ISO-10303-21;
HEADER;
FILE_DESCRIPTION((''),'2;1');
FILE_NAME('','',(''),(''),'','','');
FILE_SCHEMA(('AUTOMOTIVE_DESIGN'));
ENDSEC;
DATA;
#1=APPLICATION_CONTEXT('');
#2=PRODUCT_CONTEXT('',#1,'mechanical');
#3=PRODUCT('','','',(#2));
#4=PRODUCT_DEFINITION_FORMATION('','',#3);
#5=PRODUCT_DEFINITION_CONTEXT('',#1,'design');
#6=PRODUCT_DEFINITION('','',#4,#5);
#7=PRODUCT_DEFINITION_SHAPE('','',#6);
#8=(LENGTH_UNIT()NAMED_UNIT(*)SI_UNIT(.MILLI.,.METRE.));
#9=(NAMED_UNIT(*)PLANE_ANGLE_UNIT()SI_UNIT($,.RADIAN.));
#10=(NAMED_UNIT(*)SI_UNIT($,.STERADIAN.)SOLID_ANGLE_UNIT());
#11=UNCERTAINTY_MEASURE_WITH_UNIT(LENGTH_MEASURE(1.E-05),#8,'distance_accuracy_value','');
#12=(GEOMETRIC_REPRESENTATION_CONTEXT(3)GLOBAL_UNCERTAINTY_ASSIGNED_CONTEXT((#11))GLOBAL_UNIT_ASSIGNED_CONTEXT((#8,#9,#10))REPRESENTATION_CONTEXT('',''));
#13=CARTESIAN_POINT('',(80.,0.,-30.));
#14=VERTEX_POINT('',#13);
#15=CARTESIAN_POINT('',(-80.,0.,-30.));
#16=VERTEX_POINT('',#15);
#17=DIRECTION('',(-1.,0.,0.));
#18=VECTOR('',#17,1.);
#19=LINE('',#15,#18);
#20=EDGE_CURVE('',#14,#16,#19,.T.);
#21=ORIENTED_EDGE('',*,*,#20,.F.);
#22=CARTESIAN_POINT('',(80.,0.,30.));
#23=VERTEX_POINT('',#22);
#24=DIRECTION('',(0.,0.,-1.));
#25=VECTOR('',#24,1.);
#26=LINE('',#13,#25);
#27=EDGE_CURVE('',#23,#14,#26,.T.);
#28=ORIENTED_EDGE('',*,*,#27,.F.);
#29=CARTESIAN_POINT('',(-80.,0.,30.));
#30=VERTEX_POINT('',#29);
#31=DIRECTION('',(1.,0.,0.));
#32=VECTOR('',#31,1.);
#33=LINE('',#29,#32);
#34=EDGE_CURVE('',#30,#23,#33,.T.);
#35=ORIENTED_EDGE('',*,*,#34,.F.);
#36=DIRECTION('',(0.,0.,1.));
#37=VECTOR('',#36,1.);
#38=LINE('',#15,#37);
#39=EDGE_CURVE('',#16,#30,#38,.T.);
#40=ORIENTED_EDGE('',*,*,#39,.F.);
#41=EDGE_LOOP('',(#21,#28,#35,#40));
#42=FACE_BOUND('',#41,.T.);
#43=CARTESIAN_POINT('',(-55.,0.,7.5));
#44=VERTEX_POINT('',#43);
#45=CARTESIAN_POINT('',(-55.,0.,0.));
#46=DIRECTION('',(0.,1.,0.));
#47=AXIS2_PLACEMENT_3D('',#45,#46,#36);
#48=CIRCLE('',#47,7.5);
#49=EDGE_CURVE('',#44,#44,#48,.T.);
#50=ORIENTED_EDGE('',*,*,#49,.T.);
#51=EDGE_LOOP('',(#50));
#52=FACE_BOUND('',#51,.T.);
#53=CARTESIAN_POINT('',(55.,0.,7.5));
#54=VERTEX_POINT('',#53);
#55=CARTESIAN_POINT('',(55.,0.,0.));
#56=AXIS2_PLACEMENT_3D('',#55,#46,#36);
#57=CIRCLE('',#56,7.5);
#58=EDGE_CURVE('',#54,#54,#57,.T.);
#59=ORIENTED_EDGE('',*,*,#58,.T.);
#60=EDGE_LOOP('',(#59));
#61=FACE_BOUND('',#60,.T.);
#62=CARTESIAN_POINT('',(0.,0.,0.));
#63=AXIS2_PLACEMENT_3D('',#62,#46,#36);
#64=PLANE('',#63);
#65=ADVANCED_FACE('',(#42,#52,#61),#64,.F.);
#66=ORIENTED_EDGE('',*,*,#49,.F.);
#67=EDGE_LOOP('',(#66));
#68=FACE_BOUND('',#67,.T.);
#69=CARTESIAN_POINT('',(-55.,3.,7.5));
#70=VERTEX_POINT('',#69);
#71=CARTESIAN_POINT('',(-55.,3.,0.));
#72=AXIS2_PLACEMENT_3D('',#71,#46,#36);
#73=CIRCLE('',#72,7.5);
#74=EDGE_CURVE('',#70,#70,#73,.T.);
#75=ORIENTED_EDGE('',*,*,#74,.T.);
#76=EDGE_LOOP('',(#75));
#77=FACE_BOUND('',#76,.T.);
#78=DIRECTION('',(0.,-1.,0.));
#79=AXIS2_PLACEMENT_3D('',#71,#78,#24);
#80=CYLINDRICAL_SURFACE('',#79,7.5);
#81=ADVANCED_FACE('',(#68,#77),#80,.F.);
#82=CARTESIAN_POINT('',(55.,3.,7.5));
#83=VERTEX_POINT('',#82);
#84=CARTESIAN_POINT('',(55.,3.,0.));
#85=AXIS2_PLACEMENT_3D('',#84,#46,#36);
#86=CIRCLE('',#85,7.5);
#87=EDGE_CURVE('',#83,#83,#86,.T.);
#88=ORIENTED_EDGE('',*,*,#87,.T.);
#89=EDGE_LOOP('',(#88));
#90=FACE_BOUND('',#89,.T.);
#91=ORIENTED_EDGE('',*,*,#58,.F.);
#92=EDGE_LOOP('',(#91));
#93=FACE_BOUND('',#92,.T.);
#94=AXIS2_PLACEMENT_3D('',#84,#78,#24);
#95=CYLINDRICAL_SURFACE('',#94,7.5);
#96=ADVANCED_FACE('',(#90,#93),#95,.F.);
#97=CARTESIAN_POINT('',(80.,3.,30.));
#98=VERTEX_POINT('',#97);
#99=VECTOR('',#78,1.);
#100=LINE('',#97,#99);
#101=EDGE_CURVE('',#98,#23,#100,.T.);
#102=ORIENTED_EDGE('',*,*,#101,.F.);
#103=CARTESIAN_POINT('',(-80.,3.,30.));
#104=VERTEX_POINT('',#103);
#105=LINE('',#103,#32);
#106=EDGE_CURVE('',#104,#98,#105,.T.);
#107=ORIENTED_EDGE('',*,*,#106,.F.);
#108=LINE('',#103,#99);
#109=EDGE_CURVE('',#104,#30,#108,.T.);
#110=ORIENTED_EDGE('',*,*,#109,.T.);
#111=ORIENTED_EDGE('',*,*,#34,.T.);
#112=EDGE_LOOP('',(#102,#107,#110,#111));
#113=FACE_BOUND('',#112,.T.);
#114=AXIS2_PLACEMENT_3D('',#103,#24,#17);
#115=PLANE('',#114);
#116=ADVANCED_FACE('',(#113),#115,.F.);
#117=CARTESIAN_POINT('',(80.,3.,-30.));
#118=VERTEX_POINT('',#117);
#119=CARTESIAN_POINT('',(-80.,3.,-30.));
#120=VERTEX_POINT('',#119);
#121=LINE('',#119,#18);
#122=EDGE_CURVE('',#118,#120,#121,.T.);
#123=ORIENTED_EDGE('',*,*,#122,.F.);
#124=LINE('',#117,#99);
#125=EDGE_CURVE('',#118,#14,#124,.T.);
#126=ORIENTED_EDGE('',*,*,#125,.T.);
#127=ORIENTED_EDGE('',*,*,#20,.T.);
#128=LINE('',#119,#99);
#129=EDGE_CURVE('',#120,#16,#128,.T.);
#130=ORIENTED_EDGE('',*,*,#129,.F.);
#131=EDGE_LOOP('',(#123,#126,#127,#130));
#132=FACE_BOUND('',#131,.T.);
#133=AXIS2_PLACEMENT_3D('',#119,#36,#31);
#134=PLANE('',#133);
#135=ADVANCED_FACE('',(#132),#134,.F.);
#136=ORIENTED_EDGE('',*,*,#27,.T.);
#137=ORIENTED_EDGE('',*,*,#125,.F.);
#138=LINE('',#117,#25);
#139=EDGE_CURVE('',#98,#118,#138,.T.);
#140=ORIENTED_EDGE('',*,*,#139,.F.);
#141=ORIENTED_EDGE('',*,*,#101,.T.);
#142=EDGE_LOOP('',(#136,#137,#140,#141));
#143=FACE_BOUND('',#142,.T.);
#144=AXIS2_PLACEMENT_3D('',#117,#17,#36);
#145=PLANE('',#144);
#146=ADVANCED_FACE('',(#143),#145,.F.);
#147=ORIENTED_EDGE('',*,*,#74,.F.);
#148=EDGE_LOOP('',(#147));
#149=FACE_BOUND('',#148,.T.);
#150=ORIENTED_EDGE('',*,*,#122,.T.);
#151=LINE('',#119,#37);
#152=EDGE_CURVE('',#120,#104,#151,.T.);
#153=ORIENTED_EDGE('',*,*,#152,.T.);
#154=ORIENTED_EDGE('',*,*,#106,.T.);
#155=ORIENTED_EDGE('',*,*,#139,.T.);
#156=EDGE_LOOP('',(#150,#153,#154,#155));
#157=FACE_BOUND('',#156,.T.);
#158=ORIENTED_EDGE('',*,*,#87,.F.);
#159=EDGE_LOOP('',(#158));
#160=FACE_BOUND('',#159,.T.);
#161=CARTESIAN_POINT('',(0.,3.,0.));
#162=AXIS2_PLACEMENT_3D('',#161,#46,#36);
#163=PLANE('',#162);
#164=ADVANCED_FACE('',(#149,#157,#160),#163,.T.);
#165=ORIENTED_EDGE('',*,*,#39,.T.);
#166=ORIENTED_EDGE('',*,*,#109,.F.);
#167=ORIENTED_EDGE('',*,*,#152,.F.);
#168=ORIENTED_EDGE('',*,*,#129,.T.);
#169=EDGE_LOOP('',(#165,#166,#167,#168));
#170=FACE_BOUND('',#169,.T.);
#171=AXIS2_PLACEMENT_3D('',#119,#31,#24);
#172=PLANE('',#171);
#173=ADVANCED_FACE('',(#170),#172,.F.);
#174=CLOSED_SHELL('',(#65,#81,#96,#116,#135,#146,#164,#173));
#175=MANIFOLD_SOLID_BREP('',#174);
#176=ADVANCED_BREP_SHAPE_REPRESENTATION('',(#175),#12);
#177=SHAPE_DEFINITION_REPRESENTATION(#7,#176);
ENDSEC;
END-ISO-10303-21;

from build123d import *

# Parameters (mm, degrees)
SKETCH1_W           = 160
SKETCH1_H           = 60
SKETCH1_R           = 7.5
BOSS_EXTRUDE1_DEPTH = 3


with BuildPart() as part:
    # Sketch1 → Boss-Extrude1 (new body)
    with BuildSketch(Plane(origin=(0, 0, 0), x_dir=(1, 0, 0), z_dir=(0, 1, 0))):
        Rectangle(SKETCH1_W, SKETCH1_H)
        with Locations(Location((55, 0, 0), (0, 0, 270))):
            Circle(SKETCH1_R, mode=Mode.SUBTRACT)
        with Locations(Location((-55, 0, 0), (0, 0, 270))):
            Circle(SKETCH1_R, mode=Mode.SUBTRACT)
    extrude(amount=BOSS_EXTRUDE1_DEPTH)


solid = part.part
